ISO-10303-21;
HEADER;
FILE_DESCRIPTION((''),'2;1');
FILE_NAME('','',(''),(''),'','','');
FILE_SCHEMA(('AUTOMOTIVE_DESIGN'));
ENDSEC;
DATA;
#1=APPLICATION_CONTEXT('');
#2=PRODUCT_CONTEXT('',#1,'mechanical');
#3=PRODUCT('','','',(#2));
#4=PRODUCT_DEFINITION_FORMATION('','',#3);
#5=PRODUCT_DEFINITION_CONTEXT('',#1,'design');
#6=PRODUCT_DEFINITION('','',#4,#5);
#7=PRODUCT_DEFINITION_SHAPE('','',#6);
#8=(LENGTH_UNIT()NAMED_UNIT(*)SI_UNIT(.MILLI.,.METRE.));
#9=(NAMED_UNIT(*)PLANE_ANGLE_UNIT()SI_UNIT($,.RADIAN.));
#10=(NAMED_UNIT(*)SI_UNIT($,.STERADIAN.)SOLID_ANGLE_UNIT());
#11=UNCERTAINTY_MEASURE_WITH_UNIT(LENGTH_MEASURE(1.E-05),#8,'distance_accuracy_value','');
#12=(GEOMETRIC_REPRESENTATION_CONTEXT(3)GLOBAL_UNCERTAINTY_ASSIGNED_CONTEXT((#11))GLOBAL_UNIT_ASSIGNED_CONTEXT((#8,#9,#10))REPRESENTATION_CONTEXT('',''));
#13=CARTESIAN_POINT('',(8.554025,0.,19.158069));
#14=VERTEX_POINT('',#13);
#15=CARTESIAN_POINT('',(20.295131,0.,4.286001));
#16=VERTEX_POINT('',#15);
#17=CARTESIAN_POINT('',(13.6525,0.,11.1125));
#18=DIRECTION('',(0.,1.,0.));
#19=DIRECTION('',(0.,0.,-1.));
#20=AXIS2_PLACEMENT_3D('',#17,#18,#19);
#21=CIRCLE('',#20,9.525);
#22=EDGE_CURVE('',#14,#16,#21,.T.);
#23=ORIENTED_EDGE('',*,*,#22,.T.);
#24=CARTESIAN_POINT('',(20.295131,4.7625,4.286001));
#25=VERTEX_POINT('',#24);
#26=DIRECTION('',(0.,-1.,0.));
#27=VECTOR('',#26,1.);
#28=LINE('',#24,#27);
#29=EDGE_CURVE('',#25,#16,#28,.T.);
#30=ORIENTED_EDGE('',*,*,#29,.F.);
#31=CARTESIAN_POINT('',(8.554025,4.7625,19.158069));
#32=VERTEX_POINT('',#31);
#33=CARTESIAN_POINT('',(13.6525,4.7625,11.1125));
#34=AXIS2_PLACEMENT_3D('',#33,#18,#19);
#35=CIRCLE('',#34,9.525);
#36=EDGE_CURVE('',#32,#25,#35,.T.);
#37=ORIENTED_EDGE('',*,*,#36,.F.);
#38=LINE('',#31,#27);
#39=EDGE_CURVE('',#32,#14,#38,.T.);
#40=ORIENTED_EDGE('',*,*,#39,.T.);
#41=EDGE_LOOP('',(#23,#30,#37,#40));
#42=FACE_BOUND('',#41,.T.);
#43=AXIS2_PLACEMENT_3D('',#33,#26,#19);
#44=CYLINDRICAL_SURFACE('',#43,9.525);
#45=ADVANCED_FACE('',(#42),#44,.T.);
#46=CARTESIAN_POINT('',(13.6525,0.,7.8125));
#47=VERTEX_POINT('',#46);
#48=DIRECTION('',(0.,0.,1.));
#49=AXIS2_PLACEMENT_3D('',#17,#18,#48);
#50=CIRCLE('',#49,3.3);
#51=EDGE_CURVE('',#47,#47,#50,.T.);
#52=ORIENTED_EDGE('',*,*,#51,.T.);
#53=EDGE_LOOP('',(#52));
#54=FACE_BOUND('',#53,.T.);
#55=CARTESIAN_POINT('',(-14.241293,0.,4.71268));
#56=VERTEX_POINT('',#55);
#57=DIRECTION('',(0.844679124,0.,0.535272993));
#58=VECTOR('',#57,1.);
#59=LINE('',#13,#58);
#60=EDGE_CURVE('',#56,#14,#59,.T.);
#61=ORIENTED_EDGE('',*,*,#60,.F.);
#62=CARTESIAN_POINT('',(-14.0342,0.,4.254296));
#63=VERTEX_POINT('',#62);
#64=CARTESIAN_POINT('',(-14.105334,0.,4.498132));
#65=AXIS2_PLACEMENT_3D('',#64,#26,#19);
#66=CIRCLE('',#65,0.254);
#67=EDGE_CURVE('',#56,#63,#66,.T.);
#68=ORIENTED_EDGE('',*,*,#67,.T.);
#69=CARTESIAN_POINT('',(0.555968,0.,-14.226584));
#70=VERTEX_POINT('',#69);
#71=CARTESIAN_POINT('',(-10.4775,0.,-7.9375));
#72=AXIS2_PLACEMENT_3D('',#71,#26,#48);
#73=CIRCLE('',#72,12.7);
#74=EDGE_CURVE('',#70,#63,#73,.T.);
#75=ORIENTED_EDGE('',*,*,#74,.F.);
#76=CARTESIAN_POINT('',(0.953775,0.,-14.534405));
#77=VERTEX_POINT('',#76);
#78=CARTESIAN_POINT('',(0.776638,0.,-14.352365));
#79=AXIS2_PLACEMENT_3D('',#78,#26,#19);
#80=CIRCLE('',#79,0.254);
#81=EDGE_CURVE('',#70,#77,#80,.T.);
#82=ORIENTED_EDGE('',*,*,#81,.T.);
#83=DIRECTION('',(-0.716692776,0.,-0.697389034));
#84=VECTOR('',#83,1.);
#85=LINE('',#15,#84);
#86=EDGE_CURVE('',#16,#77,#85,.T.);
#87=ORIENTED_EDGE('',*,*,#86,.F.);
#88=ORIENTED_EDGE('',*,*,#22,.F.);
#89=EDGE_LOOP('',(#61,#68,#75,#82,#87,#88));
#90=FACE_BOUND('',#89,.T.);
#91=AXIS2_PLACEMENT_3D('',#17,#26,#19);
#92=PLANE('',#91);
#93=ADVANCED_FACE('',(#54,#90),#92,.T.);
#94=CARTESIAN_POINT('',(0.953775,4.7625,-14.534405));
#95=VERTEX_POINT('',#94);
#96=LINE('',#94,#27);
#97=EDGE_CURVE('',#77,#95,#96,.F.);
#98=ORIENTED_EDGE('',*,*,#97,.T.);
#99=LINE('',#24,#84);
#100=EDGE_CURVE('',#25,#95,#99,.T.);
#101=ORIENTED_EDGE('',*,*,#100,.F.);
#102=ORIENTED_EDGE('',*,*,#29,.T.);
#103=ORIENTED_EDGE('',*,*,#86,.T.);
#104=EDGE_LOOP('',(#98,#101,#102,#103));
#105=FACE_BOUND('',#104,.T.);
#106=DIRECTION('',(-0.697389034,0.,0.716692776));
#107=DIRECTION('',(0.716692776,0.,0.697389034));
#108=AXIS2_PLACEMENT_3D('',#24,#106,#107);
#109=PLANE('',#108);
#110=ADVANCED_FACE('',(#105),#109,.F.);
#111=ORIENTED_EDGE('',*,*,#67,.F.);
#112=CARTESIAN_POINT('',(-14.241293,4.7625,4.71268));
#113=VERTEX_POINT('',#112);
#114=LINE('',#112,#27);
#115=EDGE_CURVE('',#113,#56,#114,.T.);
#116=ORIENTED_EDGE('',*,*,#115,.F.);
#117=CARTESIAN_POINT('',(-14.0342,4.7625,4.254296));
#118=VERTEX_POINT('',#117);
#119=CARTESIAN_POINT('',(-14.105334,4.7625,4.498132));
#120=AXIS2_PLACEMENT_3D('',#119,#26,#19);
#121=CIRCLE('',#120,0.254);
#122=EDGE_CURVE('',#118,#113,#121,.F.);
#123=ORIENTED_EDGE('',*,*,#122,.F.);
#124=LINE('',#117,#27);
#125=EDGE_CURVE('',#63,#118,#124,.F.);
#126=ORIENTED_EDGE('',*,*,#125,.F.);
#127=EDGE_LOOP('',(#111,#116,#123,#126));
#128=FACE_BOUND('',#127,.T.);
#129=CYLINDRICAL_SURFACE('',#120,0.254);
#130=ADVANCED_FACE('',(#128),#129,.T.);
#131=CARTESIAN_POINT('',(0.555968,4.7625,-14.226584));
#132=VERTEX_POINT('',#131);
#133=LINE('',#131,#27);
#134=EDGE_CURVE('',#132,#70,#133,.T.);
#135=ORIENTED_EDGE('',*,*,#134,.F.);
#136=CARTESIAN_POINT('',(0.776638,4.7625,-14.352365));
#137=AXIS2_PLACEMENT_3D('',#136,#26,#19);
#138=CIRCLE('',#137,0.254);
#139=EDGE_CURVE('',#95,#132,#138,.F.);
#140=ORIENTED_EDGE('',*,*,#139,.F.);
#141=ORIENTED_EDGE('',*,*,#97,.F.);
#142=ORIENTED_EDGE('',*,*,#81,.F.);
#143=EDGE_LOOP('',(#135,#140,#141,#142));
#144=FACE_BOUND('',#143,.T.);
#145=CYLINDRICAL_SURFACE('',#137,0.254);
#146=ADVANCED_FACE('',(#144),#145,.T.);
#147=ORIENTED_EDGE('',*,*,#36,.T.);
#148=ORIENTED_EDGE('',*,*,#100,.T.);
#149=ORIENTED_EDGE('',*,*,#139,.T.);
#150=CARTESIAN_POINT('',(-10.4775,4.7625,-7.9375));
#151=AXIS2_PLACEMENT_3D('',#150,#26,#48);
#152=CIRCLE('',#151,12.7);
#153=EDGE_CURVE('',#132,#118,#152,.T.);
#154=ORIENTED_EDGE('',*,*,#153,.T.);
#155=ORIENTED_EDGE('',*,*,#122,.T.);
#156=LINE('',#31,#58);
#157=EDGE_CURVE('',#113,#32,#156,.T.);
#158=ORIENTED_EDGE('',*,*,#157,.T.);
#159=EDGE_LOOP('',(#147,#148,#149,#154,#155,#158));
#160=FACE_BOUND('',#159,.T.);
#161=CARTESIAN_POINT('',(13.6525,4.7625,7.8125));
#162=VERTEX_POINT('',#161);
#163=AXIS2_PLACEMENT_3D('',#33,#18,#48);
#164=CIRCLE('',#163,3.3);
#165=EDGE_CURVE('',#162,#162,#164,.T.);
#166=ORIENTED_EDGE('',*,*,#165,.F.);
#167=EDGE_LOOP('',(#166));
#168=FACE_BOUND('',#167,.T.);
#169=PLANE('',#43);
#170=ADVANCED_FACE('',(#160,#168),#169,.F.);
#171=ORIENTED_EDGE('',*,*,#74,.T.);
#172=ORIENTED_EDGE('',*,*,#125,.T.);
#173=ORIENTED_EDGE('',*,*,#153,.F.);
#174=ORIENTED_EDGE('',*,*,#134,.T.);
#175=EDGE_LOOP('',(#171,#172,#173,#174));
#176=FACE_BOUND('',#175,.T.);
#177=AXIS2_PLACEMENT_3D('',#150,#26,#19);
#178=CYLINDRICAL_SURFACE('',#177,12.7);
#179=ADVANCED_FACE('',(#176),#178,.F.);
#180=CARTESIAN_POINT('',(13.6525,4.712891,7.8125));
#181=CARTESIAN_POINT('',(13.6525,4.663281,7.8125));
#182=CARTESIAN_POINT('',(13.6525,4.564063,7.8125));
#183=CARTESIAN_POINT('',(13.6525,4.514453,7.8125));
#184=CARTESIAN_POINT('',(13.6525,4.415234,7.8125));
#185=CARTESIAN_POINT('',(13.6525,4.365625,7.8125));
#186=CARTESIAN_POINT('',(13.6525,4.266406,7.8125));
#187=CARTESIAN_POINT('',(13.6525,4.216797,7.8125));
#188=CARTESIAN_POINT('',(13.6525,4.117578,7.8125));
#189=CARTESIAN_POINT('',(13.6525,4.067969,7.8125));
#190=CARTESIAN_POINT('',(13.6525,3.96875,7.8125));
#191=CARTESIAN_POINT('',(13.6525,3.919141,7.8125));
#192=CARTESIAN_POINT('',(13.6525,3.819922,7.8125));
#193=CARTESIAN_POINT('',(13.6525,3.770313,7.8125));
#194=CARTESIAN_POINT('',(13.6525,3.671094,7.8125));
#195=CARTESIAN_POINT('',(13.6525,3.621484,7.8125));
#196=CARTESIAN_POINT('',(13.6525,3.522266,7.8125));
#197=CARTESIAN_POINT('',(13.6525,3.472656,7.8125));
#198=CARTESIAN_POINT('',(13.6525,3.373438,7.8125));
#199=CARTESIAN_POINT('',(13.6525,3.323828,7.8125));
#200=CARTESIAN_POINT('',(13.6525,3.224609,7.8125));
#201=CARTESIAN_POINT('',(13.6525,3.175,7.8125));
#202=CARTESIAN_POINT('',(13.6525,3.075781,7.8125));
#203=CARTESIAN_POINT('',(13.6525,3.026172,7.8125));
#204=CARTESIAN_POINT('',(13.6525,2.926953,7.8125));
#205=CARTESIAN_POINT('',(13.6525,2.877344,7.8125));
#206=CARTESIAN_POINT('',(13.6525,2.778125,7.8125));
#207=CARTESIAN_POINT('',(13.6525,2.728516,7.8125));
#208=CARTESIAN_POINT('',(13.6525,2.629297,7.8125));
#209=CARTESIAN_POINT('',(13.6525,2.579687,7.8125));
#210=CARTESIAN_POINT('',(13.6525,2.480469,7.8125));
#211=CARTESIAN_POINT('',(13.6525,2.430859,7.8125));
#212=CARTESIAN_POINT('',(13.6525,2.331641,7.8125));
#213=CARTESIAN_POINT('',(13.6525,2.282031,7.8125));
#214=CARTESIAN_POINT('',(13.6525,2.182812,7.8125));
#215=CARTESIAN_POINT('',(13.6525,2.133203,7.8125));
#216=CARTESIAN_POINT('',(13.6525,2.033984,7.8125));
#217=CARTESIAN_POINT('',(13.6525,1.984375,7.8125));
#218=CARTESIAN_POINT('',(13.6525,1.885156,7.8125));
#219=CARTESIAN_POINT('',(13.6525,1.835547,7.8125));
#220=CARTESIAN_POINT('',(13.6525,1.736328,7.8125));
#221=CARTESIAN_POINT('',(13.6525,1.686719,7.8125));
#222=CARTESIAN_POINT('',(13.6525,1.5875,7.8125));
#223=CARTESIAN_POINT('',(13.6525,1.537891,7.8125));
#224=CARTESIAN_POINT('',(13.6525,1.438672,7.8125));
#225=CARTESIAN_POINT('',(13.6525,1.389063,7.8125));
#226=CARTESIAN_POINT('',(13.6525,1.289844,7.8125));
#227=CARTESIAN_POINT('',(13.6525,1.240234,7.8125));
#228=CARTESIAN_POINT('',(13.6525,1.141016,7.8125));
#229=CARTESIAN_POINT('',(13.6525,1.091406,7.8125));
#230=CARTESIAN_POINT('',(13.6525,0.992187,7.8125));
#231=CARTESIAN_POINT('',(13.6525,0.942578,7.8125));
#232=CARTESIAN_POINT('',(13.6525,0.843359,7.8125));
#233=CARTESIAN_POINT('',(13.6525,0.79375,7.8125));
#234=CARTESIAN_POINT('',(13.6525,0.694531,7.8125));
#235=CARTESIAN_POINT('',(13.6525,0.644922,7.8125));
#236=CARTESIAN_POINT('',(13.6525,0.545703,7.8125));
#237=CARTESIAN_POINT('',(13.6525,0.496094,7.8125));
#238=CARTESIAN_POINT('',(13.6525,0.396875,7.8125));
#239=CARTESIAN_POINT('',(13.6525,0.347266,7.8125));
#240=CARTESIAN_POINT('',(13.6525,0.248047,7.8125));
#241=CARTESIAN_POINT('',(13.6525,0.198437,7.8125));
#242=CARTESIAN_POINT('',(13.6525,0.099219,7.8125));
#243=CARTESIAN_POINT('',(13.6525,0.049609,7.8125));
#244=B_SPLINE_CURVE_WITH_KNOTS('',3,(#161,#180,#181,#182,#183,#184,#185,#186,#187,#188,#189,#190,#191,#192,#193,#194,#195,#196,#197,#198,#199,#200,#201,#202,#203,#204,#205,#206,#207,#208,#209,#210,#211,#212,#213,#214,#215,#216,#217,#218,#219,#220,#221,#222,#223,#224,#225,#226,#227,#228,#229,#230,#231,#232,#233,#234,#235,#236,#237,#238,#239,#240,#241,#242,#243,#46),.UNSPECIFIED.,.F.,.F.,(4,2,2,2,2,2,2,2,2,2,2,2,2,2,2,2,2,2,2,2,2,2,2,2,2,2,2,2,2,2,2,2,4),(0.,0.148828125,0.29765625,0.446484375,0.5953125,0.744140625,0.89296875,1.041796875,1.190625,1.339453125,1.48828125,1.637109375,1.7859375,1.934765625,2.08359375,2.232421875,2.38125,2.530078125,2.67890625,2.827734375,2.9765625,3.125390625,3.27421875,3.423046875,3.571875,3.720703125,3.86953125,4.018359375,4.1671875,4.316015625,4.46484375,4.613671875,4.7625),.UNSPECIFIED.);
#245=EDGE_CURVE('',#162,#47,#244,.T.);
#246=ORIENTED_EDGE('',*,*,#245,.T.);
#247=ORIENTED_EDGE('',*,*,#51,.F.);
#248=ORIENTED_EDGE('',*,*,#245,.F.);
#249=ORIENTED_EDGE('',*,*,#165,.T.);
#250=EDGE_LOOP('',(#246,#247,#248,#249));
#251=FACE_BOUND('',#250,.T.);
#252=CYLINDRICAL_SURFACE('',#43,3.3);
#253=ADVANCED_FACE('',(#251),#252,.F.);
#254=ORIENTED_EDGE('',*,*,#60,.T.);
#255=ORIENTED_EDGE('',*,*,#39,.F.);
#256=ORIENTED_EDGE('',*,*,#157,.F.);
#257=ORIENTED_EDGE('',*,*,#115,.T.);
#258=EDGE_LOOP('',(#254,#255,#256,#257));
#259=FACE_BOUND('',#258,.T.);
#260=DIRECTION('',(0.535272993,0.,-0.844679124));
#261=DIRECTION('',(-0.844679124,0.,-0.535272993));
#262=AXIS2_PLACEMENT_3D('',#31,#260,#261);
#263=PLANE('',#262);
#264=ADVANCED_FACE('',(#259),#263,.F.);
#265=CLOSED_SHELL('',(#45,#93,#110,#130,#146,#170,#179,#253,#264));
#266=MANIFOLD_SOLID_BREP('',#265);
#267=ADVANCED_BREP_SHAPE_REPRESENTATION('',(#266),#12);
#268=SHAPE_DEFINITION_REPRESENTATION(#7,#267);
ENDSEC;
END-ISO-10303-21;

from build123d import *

# Parameters (mm, degrees)
SKETCH1_R           = 3.3
BOSS_EXTRUDE1_DEPTH = 4.7625
FILLET1_R           = 0.254


with BuildPart() as part:
    # Sketch1 → Boss-Extrude1 (new body)
    with BuildSketch(Plane(origin=(0, 0, 0), x_dir=(1, 0, 0), z_dir=(0, 1, 0))):
        with BuildLine():
            Line((20.295130547, -4.286001307), (-1.62065927, 17.039498258))
            ThreePointArc((-1.62065927, 17.039498258), (-0.509488878, 0.068017535), (-17.27546701, -2.789924879))
            Line((-17.27546701, -2.789924879), (8.554024743, -19.158068659))
            ThreePointArc((8.554024743, -19.158068659), (21.128508342, -17.014611849), (20.295130547, -4.286001307))
        make_face()
        with Locations(Location((13.6525, -11.1125, 0), (0, 0, 90))):
            Circle(SKETCH1_R, mode=Mode.SUBTRACT)
    extrude(amount=BOSS_EXTRUDE1_DEPTH)

    # Fillet1
    fillet1_edges = [part.edges().sort_by_distance(p)[0] for p in [
        (-17.27546701, 2.38125, 2.789924879),
        (-1.62065927, 2.38125, -17.039498258),
    ]]
    fillet(fillet1_edges, radius=FILLET1_R)


solid = part.part
